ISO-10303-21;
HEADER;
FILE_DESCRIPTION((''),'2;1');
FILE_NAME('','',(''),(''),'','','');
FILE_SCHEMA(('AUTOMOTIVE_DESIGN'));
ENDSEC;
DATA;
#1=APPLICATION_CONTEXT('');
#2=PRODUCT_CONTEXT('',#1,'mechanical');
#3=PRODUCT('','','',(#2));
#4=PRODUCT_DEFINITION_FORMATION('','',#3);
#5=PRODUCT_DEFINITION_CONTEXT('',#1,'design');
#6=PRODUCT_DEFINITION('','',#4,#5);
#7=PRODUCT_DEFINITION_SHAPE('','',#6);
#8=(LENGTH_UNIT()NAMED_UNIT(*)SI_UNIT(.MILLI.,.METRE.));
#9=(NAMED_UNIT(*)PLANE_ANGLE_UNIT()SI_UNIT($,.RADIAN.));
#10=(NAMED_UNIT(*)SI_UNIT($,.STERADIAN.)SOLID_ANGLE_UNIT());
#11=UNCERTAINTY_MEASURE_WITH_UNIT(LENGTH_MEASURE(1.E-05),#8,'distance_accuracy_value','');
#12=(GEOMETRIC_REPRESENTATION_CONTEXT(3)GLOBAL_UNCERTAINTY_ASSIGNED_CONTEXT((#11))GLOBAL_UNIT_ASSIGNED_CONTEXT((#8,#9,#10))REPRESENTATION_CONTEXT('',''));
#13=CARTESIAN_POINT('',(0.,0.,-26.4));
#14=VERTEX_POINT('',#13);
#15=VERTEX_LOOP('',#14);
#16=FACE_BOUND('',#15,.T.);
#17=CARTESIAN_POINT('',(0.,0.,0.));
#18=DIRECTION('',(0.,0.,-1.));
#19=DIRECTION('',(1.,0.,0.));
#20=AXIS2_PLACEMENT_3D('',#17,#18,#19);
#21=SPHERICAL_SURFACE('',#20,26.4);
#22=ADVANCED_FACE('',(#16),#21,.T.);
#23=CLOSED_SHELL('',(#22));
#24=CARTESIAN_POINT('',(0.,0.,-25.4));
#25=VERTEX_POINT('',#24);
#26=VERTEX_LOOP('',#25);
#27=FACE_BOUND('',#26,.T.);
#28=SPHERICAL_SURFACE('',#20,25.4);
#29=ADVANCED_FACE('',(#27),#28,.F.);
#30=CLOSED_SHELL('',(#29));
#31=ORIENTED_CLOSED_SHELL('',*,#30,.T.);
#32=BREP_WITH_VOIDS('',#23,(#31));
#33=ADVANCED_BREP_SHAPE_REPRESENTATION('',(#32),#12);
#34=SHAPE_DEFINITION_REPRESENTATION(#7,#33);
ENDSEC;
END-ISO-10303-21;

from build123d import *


with BuildPart() as part:
    # Sketch2 → Revolve-Thin4 (revolve)
    with BuildSketch(Plane(origin=(0, 0, 0), x_dir=(1, 0, 0), z_dir=(0, 1, 0))):
        with BuildLine():
            ThreePointArc((0, 25.4), (-25.4, 0), (0, -25.4))
            Line((0, -25.4), (0, -26.4))
            ThreePointArc((0, -26.4), (-26.4, 0), (0, 26.4))
            Line((0, 26.4), (0, 25.4))
        make_face()
    revolve(axis=Axis((0, 0, -43.481035393), (0, 0, 1)))


solid = part.part
